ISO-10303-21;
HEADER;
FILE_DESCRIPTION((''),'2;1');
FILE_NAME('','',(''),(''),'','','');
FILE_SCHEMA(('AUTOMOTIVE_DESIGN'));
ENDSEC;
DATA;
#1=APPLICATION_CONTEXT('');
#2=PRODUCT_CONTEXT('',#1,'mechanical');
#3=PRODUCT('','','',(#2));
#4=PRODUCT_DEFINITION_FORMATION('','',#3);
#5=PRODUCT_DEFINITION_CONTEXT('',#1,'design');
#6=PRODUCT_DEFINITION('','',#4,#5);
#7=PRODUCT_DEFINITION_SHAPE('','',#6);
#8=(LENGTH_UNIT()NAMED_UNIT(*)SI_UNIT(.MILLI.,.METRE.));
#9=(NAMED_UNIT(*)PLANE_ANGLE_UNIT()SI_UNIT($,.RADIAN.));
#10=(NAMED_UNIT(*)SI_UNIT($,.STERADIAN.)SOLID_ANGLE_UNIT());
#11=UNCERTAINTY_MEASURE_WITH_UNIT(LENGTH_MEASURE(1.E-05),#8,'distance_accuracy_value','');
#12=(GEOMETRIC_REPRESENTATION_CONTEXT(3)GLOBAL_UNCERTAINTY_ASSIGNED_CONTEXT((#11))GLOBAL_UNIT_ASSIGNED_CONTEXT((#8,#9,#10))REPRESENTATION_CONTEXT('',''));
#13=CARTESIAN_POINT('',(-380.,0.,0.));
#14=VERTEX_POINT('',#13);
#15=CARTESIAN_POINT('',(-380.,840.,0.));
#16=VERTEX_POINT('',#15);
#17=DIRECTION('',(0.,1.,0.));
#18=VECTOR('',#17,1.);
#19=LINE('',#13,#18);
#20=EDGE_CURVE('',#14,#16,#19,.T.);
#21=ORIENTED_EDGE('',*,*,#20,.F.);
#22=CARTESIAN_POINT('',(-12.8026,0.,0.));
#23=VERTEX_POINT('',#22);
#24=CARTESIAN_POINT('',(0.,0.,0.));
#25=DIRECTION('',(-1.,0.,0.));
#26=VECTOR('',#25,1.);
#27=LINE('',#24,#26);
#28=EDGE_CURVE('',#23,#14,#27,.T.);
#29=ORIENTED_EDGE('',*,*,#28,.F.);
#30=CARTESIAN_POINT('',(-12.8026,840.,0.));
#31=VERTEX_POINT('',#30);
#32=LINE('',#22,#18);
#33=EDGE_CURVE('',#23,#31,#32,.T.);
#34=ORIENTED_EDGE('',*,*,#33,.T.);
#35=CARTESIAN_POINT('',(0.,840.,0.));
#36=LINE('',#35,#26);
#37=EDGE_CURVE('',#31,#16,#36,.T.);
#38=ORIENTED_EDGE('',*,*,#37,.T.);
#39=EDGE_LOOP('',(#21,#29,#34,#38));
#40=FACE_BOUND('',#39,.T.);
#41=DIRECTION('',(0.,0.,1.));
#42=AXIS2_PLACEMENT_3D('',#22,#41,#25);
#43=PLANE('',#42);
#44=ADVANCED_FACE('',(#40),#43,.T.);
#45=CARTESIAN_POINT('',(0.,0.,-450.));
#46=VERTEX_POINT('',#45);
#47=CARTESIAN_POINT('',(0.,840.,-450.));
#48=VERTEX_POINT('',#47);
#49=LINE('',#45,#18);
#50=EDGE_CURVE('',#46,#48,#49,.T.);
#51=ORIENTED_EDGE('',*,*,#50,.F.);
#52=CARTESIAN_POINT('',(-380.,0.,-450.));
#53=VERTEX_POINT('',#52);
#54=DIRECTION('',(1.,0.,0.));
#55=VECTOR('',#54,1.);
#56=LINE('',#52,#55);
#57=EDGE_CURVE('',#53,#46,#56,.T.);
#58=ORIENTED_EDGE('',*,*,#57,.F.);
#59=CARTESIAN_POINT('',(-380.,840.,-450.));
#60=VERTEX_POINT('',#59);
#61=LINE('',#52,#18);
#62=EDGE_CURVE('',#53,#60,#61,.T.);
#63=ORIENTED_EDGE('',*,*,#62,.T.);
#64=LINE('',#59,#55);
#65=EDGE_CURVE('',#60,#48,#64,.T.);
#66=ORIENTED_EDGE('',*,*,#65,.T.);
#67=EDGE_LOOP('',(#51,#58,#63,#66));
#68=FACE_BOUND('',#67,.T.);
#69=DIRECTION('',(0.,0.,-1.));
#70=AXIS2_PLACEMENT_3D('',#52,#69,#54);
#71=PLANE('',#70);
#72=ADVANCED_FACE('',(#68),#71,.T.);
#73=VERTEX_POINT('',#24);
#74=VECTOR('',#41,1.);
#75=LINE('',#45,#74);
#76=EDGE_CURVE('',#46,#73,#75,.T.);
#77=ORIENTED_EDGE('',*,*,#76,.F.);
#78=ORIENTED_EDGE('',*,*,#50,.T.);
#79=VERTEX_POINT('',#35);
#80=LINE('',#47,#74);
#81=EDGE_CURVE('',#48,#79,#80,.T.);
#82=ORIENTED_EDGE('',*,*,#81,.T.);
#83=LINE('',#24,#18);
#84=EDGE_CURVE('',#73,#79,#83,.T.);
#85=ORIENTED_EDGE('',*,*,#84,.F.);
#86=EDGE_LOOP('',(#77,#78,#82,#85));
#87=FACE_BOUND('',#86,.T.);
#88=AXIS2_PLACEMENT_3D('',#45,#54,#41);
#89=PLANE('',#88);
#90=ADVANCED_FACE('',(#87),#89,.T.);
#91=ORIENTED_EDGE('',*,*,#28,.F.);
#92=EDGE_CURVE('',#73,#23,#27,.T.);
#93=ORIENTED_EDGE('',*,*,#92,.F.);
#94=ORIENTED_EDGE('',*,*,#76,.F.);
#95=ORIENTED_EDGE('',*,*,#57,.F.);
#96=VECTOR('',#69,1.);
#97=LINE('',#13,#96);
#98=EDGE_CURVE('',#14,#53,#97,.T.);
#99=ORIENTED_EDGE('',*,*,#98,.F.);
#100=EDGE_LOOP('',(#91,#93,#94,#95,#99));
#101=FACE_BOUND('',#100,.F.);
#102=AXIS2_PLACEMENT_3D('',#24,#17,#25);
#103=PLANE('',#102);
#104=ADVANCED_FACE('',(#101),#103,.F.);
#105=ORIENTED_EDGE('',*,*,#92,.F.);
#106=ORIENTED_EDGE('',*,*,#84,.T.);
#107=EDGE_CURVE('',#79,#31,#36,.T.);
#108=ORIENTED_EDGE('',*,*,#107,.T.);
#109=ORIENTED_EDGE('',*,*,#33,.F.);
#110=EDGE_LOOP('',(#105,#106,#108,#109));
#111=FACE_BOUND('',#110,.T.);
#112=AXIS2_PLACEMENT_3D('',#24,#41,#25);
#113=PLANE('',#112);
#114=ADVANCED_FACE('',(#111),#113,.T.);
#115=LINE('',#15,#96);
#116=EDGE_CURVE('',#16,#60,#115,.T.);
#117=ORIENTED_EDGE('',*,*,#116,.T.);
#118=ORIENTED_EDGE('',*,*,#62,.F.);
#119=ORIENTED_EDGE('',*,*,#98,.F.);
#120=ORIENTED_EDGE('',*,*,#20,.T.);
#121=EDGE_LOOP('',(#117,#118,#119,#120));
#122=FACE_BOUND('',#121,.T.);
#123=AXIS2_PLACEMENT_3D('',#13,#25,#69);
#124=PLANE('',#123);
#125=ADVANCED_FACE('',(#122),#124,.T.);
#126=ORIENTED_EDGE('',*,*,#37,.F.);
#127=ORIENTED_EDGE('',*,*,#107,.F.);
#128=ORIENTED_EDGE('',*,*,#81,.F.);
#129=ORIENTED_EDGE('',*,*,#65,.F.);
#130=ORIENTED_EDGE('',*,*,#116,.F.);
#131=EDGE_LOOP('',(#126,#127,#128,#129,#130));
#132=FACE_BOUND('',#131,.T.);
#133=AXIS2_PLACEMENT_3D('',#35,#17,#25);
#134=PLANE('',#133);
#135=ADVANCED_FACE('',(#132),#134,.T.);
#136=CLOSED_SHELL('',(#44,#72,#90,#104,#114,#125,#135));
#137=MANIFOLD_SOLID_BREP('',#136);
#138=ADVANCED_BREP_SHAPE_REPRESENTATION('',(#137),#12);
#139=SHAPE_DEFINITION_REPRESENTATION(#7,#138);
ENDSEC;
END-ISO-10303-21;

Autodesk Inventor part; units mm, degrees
ref_plane "YZ Plane" through (0, 0, 0) normal (1, 0, 0) x (0, 1, 0)
ref_plane "XZ Plane" through (0, 0, 0) normal (0, 1, 0) x (-1, 0, 0)
ref_plane "XY Plane" through (0, 0, 0) normal (0, 0, 1) x (1, 0, 0)
sketch "Sketch1" plane through (0, 0, 0) normal (0, 1, 0) x (-1, 0, 0)
  line L0 (0, 0) -> (12.8026, 0)
  line L1 (0, 0) -> (380, 0)
  line L2 (380, 0) -> (380, -450)
  line L3 (380, -450) -> (0, -450)
  line L4 (0, -450) -> (0, 0)
  dimension "d0" = 380
  dimension "d1" = 450
extrude "Extrusion1" add sketch "Sketch1" along normal blind 840
properties part number "Air Conditioning Unit"
